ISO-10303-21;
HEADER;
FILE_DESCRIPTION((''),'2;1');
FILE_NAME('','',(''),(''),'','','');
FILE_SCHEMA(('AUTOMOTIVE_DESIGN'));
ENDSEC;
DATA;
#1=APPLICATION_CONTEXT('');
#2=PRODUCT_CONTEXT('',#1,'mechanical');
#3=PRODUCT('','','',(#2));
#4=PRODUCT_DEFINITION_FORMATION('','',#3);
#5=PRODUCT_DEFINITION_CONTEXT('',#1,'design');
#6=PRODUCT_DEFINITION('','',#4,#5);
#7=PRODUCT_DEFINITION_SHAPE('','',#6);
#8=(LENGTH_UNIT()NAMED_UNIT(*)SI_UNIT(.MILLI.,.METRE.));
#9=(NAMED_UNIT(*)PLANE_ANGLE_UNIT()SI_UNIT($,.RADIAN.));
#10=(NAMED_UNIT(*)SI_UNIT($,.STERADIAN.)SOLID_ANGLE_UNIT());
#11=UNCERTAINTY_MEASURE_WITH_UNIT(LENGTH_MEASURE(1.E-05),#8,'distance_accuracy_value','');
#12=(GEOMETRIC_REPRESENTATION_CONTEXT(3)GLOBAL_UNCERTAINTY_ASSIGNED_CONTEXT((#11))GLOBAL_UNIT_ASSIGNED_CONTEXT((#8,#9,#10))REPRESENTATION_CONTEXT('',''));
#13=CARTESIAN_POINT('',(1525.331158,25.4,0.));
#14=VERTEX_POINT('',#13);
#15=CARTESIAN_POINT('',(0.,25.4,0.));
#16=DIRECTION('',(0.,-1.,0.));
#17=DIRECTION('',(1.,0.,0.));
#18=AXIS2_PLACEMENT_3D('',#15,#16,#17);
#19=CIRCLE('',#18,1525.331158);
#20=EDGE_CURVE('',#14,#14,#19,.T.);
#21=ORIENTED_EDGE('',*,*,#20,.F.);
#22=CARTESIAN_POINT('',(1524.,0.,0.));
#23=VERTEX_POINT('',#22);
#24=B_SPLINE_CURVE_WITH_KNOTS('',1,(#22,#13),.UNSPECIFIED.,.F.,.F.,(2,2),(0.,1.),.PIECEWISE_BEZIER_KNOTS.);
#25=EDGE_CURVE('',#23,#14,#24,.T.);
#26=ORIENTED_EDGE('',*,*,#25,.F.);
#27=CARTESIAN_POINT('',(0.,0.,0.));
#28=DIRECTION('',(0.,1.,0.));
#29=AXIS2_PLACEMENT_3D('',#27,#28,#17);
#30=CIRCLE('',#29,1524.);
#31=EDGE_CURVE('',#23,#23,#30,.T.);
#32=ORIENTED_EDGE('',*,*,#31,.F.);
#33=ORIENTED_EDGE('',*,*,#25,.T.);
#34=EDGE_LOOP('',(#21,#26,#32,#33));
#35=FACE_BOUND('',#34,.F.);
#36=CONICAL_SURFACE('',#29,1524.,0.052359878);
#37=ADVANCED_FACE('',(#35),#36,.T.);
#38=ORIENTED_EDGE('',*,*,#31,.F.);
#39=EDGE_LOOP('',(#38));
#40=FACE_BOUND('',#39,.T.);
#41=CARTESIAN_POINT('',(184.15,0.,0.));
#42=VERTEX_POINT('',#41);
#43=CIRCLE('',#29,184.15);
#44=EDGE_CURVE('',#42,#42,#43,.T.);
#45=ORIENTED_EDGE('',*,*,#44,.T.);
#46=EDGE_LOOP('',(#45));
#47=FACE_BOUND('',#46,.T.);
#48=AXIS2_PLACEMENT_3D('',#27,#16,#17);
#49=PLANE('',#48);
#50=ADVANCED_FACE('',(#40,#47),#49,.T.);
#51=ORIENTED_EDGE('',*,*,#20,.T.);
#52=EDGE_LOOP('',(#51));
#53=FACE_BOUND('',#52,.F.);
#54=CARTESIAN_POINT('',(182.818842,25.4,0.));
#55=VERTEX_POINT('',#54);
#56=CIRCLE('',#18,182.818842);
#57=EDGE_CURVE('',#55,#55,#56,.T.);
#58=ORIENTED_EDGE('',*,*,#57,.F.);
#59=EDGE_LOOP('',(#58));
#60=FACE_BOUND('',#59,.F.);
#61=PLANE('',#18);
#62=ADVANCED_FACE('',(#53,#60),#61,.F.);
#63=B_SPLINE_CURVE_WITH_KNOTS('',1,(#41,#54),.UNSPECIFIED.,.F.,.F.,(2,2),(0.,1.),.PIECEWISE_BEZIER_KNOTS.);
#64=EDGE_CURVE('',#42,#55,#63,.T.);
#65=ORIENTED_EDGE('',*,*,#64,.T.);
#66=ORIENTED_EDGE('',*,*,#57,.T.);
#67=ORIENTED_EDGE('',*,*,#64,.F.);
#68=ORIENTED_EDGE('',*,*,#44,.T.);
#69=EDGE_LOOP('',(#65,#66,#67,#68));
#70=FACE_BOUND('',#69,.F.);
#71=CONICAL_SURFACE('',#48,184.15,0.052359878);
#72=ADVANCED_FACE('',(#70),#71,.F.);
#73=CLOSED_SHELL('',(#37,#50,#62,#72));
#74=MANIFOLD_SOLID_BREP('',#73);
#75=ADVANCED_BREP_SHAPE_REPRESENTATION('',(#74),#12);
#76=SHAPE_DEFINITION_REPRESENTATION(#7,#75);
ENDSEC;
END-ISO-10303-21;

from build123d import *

# Parameters (mm, degrees)
F0_R     = 1524
F0_R_2   = 184.15
F1_DEPTH = 25.4
F1_TAPER = -3


with BuildPart() as f1:
    # F0 (on Front) → F1 (new body)
    with BuildSketch(Plane.XZ):
        Circle(F0_R)
        Circle(F0_R_2, mode=Mode.SUBTRACT)
    extrude(amount=-F1_DEPTH, taper=F1_TAPER)


solid = f1.part
